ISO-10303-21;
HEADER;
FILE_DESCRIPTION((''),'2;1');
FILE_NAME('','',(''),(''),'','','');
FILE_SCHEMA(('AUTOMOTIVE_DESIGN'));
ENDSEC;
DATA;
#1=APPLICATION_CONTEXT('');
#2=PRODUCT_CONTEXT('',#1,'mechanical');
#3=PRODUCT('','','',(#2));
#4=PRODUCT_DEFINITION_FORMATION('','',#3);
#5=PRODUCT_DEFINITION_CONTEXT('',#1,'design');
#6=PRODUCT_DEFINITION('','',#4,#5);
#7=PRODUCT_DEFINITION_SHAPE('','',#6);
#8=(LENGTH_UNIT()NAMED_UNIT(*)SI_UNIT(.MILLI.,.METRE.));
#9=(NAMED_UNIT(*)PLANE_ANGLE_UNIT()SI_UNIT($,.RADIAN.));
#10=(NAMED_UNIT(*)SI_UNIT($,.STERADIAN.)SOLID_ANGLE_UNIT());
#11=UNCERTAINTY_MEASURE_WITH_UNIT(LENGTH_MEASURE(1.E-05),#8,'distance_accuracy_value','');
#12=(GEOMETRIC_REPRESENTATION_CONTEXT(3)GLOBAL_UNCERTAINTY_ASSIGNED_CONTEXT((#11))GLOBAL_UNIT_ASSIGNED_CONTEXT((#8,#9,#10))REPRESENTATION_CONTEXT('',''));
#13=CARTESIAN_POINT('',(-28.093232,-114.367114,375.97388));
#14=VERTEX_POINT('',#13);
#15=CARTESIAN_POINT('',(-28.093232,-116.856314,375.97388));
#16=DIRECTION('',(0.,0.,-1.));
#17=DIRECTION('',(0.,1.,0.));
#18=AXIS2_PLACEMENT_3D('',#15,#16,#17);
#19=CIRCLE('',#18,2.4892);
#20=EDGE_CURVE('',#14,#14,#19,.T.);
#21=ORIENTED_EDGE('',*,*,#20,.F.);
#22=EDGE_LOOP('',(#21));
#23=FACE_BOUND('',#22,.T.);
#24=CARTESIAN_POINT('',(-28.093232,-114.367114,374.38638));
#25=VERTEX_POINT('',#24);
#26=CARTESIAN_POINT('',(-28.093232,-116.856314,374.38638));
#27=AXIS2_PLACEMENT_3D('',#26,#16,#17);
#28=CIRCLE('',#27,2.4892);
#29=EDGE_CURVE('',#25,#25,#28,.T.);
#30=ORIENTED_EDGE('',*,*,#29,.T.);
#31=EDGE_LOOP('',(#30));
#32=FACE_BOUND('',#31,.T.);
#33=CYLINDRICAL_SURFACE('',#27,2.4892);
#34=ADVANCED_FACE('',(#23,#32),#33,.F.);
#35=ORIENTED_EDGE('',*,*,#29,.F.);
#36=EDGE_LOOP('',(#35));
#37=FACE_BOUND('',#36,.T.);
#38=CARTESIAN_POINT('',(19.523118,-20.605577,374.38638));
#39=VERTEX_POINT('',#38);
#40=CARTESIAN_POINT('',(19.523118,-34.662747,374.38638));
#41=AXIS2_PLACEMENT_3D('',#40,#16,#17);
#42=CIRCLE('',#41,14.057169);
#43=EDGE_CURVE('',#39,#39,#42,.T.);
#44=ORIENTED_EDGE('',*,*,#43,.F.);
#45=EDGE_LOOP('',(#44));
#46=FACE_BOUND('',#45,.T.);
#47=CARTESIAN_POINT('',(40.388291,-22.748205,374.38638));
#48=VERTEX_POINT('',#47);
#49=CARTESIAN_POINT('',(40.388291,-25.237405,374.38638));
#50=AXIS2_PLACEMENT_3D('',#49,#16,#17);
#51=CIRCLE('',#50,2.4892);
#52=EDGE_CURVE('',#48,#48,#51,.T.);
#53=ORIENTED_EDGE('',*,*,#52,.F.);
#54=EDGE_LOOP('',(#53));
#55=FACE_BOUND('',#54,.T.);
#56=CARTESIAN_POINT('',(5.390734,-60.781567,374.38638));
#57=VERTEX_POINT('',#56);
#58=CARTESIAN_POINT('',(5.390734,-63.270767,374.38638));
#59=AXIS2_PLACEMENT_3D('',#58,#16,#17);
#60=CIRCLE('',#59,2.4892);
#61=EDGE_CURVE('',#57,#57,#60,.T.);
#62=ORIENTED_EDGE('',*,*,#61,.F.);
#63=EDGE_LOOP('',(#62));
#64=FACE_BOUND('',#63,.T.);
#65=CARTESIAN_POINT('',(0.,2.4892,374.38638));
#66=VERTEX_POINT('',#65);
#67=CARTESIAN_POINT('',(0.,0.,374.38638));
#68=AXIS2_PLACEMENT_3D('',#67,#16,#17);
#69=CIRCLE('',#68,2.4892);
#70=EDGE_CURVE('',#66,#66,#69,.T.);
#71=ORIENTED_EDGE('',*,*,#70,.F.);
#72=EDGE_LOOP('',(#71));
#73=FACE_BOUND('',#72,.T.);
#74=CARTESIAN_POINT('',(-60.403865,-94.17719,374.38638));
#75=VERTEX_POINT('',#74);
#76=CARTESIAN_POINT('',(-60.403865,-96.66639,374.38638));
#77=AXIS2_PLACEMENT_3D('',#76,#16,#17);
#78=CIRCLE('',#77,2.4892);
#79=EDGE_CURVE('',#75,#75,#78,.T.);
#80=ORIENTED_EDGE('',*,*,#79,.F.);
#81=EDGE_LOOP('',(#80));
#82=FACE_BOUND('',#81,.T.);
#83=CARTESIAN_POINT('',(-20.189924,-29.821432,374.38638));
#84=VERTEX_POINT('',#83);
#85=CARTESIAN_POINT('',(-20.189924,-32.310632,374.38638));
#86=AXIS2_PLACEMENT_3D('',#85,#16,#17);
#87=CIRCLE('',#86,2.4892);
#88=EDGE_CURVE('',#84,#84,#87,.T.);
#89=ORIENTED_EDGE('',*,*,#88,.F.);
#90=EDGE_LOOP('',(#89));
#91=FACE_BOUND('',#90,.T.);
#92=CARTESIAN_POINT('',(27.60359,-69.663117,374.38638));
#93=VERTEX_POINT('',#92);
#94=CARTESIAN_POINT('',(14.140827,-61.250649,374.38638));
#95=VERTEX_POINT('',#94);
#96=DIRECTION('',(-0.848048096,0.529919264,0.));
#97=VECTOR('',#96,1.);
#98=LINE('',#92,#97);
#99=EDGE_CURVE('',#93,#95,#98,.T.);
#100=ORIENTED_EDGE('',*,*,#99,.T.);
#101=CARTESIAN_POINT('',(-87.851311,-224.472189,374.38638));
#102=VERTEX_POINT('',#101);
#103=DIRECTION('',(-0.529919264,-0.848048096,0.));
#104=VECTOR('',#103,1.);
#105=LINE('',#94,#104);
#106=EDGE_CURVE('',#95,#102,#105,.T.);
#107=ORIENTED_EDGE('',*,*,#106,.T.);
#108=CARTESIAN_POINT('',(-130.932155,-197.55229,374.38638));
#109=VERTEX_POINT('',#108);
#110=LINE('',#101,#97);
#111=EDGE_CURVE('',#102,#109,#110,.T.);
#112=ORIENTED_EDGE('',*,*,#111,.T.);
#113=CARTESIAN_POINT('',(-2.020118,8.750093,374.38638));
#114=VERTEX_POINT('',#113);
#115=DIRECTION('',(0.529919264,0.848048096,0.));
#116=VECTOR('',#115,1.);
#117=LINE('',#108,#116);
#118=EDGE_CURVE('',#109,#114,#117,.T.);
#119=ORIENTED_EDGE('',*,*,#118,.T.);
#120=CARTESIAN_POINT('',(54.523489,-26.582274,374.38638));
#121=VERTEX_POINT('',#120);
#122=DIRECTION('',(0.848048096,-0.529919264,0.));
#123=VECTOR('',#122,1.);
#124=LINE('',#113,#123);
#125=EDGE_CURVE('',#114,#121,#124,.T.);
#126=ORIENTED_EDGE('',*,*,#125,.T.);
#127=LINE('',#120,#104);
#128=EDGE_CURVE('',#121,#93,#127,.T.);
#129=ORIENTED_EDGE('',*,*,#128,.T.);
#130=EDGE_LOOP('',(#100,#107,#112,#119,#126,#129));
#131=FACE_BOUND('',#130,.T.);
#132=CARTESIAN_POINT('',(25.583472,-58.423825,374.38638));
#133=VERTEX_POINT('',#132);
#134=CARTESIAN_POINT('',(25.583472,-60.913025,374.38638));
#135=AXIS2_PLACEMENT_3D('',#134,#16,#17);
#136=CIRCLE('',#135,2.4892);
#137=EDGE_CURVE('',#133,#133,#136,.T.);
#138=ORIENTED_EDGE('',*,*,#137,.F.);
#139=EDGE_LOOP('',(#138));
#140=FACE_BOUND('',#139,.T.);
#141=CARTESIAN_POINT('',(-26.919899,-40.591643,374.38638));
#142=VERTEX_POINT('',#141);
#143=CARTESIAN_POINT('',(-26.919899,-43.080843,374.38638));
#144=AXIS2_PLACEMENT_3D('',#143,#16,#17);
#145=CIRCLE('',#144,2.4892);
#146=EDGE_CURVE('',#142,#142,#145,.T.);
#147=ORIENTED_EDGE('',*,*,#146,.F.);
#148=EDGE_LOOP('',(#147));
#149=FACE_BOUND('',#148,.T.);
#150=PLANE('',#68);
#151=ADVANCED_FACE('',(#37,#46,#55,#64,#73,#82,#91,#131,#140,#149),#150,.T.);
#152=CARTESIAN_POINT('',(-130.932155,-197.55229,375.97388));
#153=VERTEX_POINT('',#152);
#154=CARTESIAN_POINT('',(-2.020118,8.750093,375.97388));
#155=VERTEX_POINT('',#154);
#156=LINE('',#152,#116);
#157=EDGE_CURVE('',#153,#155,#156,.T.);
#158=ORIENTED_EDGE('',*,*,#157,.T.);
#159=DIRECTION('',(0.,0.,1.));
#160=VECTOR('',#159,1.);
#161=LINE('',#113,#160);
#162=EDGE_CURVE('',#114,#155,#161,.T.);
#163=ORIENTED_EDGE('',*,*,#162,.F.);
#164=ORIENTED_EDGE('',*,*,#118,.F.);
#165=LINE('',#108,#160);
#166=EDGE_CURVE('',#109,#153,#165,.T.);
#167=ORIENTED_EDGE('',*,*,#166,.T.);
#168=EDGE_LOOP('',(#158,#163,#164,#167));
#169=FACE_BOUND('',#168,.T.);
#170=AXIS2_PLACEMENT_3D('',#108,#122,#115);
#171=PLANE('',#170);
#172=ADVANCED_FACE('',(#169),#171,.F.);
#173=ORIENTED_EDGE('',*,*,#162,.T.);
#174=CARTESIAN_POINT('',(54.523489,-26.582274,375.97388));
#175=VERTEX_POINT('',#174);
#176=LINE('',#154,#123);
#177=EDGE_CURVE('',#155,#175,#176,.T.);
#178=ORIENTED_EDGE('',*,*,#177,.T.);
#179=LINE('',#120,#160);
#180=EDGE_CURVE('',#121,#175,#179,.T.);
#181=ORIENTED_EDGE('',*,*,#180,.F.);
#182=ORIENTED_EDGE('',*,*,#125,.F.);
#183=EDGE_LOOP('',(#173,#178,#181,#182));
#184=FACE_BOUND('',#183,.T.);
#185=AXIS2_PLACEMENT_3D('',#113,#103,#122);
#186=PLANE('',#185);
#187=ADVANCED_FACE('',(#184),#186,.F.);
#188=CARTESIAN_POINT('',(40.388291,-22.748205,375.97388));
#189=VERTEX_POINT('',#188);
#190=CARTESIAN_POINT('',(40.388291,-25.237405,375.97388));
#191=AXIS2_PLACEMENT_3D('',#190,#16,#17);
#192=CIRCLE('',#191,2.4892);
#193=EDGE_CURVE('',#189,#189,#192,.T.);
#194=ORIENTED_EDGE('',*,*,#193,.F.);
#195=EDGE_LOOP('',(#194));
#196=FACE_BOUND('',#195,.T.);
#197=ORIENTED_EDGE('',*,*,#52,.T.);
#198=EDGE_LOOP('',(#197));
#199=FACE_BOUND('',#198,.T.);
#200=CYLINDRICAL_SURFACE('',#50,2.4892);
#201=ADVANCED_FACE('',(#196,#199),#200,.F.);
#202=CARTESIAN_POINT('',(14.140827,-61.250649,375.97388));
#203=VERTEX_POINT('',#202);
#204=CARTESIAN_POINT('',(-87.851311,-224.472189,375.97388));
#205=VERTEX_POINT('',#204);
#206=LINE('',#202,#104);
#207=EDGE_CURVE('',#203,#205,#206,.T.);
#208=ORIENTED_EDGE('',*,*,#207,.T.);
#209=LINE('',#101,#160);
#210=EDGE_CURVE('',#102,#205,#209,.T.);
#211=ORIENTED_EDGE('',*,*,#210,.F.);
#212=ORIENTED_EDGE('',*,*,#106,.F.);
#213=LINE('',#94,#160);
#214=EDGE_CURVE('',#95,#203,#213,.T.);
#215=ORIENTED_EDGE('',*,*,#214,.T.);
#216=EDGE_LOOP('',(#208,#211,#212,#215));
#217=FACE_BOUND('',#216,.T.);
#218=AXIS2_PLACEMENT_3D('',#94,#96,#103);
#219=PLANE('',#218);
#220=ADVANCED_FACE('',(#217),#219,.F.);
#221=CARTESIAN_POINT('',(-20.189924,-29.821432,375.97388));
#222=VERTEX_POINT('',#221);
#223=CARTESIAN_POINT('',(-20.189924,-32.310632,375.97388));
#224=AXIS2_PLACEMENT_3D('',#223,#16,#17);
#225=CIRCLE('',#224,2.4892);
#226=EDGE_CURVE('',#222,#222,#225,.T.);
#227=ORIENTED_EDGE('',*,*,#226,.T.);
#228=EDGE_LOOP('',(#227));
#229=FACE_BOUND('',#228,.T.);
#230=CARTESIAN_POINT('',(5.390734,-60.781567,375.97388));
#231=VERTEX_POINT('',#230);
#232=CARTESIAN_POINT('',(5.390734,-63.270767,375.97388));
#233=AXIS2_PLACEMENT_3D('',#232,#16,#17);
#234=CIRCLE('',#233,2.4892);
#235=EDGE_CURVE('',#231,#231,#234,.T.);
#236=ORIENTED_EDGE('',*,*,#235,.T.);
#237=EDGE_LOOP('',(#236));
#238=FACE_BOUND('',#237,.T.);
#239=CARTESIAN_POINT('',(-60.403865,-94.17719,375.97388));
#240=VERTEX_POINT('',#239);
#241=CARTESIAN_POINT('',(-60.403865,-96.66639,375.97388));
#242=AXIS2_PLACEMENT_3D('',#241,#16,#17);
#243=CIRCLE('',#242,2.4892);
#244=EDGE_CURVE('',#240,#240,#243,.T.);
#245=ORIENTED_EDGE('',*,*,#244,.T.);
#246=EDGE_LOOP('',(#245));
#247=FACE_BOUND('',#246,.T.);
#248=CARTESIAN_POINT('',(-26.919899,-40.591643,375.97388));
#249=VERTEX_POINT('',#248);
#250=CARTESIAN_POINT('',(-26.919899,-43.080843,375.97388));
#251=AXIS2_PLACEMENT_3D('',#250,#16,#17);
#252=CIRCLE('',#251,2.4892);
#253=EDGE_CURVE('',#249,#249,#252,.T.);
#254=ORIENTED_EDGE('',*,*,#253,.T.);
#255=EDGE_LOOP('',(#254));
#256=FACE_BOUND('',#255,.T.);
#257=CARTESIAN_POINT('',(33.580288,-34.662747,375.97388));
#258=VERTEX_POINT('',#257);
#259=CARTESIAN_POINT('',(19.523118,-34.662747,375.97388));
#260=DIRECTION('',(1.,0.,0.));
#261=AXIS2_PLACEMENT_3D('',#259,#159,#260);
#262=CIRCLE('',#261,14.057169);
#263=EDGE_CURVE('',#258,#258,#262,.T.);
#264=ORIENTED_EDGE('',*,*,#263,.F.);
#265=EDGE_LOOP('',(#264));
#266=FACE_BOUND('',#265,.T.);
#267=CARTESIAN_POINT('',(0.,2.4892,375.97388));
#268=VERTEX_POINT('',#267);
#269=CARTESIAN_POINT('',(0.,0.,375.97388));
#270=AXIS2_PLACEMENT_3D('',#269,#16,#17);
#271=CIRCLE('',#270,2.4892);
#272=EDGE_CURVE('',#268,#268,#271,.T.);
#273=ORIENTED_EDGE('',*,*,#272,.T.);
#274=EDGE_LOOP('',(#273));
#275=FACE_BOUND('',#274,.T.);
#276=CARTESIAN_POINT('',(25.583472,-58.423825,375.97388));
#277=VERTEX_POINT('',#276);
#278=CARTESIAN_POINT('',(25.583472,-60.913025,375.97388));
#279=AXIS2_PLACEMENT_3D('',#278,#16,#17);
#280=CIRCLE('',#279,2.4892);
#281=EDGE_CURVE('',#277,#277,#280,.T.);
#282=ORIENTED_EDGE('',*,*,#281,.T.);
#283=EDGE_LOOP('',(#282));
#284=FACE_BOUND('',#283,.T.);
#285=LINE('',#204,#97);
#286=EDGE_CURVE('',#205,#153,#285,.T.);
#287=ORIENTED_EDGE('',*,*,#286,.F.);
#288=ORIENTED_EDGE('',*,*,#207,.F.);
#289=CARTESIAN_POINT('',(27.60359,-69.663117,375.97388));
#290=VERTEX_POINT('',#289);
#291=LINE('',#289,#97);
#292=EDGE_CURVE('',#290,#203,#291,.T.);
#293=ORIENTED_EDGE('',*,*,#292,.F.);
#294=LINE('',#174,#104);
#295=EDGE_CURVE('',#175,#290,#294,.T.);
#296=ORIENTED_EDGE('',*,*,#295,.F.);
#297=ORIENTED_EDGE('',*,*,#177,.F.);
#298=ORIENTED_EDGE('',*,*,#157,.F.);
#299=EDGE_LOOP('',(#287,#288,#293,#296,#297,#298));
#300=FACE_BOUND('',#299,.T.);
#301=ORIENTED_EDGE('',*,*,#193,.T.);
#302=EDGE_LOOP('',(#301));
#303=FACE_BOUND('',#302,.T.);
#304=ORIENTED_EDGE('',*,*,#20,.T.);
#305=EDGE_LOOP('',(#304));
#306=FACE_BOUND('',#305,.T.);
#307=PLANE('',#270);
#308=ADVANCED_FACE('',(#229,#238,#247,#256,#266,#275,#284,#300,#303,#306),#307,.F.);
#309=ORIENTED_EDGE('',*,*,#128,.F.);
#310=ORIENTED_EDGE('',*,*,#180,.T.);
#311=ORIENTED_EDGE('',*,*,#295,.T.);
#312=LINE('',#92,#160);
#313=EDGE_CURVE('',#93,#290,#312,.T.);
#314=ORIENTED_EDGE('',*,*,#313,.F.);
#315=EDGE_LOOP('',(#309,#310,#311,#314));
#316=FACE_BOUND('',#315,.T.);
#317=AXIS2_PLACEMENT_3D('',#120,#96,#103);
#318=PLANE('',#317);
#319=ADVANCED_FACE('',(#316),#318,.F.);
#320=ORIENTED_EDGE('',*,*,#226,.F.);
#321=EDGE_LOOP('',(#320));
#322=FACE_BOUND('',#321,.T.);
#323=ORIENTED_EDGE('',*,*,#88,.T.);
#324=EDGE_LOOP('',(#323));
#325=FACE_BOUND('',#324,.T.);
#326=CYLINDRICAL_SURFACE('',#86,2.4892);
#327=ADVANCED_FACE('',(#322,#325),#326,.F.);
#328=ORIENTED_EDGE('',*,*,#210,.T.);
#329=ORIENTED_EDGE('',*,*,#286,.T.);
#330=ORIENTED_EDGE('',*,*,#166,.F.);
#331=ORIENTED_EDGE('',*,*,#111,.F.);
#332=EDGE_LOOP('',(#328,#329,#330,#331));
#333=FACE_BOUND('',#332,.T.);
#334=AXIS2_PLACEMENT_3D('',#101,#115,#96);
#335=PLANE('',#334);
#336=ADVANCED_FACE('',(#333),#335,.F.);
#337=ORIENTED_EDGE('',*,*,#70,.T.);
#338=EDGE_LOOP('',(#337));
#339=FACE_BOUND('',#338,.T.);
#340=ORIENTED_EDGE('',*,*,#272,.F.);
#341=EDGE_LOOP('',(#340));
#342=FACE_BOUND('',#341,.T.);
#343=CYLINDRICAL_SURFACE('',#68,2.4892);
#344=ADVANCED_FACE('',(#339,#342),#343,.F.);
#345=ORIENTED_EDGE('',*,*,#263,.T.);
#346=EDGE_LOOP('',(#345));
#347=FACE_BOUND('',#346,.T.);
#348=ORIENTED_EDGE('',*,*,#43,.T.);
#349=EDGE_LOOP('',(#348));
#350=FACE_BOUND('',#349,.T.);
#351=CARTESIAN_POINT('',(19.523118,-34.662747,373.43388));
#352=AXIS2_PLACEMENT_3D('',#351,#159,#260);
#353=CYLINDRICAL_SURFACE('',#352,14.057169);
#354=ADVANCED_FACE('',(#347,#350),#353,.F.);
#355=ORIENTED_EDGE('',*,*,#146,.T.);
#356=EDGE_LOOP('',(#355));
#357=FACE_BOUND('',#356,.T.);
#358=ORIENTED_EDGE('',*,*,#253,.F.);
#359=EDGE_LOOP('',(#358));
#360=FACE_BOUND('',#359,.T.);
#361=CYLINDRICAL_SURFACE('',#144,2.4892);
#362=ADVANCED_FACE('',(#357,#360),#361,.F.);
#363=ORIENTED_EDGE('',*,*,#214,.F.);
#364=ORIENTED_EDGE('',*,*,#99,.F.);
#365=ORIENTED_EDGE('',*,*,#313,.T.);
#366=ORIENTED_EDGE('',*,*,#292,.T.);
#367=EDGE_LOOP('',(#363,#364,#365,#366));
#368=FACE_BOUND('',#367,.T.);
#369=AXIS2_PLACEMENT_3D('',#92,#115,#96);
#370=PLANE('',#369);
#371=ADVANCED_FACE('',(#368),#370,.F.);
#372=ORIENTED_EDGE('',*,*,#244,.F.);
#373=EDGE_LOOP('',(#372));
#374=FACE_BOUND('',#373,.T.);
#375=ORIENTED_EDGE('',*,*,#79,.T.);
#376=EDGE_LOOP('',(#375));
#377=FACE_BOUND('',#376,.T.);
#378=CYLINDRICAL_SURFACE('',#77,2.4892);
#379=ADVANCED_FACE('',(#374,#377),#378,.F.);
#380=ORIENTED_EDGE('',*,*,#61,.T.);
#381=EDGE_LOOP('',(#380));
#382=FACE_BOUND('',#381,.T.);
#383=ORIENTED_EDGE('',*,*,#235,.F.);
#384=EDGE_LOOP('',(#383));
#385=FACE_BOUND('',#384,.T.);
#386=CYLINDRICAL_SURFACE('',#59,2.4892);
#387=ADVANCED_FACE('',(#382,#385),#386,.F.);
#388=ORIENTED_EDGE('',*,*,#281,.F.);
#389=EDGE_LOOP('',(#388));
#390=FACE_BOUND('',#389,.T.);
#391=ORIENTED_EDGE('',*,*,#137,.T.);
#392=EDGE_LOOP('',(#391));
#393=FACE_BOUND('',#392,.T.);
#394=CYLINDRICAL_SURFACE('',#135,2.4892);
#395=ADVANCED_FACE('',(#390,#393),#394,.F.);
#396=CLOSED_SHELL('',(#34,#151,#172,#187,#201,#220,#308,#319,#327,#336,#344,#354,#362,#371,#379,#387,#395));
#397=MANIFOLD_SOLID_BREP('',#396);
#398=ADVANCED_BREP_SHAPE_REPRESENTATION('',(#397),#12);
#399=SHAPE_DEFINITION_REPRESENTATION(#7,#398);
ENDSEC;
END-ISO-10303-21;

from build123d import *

# Parameters (mm, degrees)
BOSS_EXTRUDE1_DEPTH    = 1.5875
F_10_CLEARANCE_HOLE1_D = 4.9784
SKETCH5_R              = 14.057169334
CUT_EXTRUDE1_DEPTH     = 2.54


with BuildPart() as part:
    # Sketch2 → Boss-Extrude1 (new body)
    with BuildSketch(Plane(origin=(0, 0, 375.973880443), x_dir=(-1, 0, 0), z_dir=(0, 0, -1))):
        Polygon((-54.523488721, -26.582274219), (-27.603590087, -69.663117497), (-14.140826563, -61.250649173), (87.851311274, -224.47218895), (130.932154551, -197.552290315), (2.020118081, 8.750092739), align=None)
    extrude(amount=BOSS_EXTRUDE1_DEPTH)

    # #10 Clearance Hole1 (through all)
    with Locations(Plane(origin=(0, 0, 374.386380443), x_dir=(-1, 0, 0), z_dir=(0, 0, -1))):
        with Locations((-5.390733824, -63.270767254), (-25.583472007, -60.913024757), (-40.388290572, -25.23740497), (0, 0), (20.189923976, -32.310632459), (26.919898634, -43.080843278), (60.403864812, -96.66639049), (28.093232354, -116.856314466)):
            Hole(F_10_CLEARANCE_HOLE1_D / 2)

    # Sketch5 → Cut-Extrude1 (cut)
    with BuildSketch(Plane.XY.offset(375.973880443)):
        with Locations((19.523118196, -34.66274681)):
            Circle(SKETCH5_R)
    extrude(amount=-CUT_EXTRUDE1_DEPTH, mode=Mode.SUBTRACT)


solid = part.part
